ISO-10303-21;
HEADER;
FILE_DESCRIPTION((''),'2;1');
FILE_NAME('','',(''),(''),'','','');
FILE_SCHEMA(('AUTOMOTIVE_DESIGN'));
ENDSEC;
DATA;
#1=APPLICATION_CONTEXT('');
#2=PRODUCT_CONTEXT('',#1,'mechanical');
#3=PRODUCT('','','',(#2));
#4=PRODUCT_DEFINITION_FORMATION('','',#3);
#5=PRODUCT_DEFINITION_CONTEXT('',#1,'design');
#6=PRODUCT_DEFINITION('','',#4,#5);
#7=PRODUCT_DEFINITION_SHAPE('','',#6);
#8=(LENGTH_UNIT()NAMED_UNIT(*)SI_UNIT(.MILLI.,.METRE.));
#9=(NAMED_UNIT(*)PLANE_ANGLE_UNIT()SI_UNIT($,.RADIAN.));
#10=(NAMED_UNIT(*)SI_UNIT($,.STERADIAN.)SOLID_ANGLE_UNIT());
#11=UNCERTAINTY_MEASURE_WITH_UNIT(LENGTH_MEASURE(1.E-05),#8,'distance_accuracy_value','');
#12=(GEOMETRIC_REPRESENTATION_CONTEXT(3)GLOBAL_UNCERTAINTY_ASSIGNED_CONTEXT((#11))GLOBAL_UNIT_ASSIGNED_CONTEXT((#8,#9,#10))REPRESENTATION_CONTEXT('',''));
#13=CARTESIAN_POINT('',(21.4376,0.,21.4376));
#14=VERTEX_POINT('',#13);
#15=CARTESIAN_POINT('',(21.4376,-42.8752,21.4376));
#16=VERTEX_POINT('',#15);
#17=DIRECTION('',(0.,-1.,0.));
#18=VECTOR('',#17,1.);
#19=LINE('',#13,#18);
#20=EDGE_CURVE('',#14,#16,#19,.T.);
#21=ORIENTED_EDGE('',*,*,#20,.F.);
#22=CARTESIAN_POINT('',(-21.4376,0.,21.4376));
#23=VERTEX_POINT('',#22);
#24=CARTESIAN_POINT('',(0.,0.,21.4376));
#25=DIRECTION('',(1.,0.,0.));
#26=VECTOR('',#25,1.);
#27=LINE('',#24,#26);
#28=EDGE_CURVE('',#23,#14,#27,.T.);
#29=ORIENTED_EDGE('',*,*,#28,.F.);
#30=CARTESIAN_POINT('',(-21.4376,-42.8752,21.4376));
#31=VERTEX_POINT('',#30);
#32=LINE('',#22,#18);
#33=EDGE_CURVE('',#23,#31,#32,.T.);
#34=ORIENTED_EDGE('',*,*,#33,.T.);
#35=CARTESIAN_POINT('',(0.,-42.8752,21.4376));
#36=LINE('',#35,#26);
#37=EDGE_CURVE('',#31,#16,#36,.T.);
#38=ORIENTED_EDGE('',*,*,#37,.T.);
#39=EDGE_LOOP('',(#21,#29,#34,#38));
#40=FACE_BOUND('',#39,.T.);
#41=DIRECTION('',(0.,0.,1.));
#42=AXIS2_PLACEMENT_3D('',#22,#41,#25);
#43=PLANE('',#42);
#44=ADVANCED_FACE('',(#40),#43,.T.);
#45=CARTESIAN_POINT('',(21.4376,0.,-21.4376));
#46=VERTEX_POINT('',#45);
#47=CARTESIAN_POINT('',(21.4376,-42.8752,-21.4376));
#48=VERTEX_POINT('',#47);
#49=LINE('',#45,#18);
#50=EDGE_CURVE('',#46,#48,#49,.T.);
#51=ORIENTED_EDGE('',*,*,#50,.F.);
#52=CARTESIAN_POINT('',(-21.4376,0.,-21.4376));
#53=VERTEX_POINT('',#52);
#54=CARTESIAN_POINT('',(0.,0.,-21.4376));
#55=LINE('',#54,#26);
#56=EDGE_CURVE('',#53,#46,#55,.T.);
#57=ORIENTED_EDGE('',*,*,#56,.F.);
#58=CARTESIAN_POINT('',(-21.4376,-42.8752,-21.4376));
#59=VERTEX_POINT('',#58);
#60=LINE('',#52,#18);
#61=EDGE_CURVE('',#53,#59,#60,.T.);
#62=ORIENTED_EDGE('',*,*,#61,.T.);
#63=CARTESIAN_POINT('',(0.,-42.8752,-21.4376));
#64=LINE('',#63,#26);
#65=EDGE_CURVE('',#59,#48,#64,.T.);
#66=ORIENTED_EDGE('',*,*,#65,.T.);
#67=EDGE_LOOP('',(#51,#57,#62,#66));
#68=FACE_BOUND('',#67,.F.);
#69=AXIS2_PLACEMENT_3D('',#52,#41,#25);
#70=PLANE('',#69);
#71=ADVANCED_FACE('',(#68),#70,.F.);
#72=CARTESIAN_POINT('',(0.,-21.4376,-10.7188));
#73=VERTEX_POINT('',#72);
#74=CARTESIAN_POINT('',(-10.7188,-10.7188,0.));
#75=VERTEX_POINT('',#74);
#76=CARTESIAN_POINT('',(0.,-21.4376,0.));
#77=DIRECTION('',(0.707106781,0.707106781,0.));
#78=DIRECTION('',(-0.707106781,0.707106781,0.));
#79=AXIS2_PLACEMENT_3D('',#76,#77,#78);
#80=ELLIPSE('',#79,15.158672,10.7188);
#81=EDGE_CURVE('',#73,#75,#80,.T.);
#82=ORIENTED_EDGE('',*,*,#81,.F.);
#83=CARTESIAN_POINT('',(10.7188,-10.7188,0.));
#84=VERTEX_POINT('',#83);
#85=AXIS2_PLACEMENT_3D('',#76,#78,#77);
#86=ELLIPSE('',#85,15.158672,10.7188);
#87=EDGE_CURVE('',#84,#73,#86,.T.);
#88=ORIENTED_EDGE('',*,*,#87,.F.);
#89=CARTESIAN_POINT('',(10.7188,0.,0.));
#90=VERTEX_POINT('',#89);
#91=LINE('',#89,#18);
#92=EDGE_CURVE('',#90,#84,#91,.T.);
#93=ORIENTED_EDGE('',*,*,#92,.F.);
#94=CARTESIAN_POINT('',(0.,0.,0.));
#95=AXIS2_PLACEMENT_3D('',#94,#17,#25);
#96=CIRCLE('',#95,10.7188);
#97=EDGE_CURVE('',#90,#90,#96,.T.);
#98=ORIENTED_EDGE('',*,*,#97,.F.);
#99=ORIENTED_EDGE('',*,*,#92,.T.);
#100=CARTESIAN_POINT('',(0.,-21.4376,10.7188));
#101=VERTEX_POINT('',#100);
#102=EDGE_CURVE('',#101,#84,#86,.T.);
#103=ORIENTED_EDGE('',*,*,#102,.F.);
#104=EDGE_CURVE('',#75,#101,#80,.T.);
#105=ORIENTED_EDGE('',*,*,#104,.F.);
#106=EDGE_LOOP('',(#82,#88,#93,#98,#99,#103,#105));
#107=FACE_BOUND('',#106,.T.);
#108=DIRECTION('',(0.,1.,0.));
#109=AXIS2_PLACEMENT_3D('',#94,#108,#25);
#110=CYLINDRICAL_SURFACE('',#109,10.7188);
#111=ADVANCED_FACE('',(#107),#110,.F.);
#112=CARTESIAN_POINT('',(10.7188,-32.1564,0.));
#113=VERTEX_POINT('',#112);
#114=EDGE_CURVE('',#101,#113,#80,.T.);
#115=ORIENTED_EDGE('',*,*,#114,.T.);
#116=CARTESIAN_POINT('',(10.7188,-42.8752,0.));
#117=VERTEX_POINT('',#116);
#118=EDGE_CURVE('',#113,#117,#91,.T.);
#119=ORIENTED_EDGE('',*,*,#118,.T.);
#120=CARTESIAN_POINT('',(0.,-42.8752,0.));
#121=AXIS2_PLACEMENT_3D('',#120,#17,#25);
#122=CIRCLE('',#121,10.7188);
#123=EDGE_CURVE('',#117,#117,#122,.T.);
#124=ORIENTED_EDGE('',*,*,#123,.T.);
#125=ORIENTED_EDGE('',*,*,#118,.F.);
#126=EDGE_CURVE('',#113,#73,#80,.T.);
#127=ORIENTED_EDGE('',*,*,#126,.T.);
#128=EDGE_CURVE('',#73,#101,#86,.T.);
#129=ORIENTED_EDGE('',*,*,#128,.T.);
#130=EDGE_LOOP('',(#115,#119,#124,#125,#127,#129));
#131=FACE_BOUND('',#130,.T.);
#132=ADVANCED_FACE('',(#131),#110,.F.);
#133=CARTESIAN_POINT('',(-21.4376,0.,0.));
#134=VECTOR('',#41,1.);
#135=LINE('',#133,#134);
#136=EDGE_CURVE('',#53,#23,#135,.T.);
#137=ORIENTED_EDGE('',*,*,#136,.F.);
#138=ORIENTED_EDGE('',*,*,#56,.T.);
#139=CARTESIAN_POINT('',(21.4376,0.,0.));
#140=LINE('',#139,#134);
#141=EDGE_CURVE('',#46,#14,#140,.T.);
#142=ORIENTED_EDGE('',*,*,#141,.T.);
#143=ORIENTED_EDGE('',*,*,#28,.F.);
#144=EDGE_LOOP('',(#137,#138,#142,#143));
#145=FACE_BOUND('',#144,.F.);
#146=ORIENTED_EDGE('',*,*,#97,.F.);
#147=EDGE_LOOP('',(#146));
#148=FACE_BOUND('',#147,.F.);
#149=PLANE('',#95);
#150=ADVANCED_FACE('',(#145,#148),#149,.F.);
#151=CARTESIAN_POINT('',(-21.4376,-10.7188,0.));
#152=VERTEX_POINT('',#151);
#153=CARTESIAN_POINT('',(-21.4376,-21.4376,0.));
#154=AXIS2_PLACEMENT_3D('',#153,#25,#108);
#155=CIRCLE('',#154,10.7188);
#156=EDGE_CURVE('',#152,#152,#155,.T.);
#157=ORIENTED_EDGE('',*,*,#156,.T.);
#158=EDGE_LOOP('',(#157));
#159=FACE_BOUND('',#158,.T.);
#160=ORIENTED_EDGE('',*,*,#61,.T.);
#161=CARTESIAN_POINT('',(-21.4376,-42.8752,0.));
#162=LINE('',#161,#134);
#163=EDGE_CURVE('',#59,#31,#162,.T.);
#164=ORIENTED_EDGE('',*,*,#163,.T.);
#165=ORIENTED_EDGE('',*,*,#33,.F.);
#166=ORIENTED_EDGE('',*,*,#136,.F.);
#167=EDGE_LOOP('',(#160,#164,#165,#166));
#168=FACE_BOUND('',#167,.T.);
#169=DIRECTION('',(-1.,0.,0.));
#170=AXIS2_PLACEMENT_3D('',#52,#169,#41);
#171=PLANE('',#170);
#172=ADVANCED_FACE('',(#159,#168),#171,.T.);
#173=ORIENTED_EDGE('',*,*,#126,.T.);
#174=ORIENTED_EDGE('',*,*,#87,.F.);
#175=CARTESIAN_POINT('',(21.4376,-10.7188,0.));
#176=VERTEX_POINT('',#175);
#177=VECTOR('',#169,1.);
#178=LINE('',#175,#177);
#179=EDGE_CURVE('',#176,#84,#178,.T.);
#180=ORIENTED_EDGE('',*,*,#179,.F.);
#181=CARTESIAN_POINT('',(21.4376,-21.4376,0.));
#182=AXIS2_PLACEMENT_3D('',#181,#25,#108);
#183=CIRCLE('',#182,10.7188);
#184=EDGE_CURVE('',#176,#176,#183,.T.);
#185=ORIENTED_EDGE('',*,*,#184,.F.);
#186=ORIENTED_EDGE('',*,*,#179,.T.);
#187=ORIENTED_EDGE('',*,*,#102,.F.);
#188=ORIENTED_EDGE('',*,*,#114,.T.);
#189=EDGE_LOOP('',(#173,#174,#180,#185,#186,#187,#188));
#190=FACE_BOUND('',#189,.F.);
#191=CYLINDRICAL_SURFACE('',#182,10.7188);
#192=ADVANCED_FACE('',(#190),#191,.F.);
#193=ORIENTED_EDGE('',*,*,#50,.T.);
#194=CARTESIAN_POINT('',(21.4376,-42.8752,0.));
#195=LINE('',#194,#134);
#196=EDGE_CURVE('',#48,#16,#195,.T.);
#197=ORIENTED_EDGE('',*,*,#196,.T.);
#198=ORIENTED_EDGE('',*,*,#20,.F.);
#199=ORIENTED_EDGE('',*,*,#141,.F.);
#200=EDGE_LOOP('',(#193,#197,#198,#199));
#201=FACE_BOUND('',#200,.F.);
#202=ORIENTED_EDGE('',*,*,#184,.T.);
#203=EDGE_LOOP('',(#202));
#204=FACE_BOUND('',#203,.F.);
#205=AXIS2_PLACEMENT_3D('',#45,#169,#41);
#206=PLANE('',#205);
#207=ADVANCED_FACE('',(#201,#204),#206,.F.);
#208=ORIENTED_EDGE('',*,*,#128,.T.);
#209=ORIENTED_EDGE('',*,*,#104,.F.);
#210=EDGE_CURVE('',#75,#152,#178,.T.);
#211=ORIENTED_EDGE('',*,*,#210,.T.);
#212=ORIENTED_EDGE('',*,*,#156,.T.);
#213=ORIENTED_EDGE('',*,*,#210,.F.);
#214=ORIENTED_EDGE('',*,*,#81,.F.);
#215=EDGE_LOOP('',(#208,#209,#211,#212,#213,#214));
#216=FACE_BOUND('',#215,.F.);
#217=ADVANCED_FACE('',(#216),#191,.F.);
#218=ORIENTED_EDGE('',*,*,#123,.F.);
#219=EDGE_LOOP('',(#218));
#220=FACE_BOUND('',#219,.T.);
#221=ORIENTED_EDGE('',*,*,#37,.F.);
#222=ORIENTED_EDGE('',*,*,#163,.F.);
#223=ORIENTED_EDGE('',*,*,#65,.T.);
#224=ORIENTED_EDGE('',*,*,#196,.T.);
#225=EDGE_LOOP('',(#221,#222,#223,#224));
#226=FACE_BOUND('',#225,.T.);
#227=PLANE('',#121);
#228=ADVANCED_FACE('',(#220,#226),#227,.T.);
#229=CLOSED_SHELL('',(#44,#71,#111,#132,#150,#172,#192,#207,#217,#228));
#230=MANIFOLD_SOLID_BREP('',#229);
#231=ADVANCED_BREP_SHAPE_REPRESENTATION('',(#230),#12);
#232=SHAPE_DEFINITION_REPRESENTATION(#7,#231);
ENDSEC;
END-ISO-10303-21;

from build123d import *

# Parameters (mm, degrees)
F0_W       = 42.8752
F0_H       = 42.8752
F0_R       = 10.7188
F1_DEPTH   = 42.8752
F2_R       = 10.7188
F1_FACE1_W = 42.8752
F1_FACE1_H = 42.8752
F3_DEPTH   = 79.248


with BuildPart() as f1:
    # F0 (on Front) → F1 (new body)
    with BuildSketch(Plane.XZ):
        Rectangle(F0_W, F0_H)
        Circle(F0_R, mode=Mode.SUBTRACT)
    extrude(amount=F1_DEPTH)

    # F2 (on face) + F1_face1 (on face) → F3 (cut)
    with BuildSketch(Plane.YZ.offset(21.4376)):
        with Locations((-21.4376, 0)):
            Circle(F2_R)
    with BuildSketch(Plane(origin=(-21.4376, -21.4376, 0), x_dir=(0, -1, 0), z_dir=(-1, 0, 0))):
        Rectangle(F1_FACE1_W, F1_FACE1_H)
    extrude(amount=-F3_DEPTH, dir=(1, 0, 0), mode=Mode.SUBTRACT)


solid = f1.part
